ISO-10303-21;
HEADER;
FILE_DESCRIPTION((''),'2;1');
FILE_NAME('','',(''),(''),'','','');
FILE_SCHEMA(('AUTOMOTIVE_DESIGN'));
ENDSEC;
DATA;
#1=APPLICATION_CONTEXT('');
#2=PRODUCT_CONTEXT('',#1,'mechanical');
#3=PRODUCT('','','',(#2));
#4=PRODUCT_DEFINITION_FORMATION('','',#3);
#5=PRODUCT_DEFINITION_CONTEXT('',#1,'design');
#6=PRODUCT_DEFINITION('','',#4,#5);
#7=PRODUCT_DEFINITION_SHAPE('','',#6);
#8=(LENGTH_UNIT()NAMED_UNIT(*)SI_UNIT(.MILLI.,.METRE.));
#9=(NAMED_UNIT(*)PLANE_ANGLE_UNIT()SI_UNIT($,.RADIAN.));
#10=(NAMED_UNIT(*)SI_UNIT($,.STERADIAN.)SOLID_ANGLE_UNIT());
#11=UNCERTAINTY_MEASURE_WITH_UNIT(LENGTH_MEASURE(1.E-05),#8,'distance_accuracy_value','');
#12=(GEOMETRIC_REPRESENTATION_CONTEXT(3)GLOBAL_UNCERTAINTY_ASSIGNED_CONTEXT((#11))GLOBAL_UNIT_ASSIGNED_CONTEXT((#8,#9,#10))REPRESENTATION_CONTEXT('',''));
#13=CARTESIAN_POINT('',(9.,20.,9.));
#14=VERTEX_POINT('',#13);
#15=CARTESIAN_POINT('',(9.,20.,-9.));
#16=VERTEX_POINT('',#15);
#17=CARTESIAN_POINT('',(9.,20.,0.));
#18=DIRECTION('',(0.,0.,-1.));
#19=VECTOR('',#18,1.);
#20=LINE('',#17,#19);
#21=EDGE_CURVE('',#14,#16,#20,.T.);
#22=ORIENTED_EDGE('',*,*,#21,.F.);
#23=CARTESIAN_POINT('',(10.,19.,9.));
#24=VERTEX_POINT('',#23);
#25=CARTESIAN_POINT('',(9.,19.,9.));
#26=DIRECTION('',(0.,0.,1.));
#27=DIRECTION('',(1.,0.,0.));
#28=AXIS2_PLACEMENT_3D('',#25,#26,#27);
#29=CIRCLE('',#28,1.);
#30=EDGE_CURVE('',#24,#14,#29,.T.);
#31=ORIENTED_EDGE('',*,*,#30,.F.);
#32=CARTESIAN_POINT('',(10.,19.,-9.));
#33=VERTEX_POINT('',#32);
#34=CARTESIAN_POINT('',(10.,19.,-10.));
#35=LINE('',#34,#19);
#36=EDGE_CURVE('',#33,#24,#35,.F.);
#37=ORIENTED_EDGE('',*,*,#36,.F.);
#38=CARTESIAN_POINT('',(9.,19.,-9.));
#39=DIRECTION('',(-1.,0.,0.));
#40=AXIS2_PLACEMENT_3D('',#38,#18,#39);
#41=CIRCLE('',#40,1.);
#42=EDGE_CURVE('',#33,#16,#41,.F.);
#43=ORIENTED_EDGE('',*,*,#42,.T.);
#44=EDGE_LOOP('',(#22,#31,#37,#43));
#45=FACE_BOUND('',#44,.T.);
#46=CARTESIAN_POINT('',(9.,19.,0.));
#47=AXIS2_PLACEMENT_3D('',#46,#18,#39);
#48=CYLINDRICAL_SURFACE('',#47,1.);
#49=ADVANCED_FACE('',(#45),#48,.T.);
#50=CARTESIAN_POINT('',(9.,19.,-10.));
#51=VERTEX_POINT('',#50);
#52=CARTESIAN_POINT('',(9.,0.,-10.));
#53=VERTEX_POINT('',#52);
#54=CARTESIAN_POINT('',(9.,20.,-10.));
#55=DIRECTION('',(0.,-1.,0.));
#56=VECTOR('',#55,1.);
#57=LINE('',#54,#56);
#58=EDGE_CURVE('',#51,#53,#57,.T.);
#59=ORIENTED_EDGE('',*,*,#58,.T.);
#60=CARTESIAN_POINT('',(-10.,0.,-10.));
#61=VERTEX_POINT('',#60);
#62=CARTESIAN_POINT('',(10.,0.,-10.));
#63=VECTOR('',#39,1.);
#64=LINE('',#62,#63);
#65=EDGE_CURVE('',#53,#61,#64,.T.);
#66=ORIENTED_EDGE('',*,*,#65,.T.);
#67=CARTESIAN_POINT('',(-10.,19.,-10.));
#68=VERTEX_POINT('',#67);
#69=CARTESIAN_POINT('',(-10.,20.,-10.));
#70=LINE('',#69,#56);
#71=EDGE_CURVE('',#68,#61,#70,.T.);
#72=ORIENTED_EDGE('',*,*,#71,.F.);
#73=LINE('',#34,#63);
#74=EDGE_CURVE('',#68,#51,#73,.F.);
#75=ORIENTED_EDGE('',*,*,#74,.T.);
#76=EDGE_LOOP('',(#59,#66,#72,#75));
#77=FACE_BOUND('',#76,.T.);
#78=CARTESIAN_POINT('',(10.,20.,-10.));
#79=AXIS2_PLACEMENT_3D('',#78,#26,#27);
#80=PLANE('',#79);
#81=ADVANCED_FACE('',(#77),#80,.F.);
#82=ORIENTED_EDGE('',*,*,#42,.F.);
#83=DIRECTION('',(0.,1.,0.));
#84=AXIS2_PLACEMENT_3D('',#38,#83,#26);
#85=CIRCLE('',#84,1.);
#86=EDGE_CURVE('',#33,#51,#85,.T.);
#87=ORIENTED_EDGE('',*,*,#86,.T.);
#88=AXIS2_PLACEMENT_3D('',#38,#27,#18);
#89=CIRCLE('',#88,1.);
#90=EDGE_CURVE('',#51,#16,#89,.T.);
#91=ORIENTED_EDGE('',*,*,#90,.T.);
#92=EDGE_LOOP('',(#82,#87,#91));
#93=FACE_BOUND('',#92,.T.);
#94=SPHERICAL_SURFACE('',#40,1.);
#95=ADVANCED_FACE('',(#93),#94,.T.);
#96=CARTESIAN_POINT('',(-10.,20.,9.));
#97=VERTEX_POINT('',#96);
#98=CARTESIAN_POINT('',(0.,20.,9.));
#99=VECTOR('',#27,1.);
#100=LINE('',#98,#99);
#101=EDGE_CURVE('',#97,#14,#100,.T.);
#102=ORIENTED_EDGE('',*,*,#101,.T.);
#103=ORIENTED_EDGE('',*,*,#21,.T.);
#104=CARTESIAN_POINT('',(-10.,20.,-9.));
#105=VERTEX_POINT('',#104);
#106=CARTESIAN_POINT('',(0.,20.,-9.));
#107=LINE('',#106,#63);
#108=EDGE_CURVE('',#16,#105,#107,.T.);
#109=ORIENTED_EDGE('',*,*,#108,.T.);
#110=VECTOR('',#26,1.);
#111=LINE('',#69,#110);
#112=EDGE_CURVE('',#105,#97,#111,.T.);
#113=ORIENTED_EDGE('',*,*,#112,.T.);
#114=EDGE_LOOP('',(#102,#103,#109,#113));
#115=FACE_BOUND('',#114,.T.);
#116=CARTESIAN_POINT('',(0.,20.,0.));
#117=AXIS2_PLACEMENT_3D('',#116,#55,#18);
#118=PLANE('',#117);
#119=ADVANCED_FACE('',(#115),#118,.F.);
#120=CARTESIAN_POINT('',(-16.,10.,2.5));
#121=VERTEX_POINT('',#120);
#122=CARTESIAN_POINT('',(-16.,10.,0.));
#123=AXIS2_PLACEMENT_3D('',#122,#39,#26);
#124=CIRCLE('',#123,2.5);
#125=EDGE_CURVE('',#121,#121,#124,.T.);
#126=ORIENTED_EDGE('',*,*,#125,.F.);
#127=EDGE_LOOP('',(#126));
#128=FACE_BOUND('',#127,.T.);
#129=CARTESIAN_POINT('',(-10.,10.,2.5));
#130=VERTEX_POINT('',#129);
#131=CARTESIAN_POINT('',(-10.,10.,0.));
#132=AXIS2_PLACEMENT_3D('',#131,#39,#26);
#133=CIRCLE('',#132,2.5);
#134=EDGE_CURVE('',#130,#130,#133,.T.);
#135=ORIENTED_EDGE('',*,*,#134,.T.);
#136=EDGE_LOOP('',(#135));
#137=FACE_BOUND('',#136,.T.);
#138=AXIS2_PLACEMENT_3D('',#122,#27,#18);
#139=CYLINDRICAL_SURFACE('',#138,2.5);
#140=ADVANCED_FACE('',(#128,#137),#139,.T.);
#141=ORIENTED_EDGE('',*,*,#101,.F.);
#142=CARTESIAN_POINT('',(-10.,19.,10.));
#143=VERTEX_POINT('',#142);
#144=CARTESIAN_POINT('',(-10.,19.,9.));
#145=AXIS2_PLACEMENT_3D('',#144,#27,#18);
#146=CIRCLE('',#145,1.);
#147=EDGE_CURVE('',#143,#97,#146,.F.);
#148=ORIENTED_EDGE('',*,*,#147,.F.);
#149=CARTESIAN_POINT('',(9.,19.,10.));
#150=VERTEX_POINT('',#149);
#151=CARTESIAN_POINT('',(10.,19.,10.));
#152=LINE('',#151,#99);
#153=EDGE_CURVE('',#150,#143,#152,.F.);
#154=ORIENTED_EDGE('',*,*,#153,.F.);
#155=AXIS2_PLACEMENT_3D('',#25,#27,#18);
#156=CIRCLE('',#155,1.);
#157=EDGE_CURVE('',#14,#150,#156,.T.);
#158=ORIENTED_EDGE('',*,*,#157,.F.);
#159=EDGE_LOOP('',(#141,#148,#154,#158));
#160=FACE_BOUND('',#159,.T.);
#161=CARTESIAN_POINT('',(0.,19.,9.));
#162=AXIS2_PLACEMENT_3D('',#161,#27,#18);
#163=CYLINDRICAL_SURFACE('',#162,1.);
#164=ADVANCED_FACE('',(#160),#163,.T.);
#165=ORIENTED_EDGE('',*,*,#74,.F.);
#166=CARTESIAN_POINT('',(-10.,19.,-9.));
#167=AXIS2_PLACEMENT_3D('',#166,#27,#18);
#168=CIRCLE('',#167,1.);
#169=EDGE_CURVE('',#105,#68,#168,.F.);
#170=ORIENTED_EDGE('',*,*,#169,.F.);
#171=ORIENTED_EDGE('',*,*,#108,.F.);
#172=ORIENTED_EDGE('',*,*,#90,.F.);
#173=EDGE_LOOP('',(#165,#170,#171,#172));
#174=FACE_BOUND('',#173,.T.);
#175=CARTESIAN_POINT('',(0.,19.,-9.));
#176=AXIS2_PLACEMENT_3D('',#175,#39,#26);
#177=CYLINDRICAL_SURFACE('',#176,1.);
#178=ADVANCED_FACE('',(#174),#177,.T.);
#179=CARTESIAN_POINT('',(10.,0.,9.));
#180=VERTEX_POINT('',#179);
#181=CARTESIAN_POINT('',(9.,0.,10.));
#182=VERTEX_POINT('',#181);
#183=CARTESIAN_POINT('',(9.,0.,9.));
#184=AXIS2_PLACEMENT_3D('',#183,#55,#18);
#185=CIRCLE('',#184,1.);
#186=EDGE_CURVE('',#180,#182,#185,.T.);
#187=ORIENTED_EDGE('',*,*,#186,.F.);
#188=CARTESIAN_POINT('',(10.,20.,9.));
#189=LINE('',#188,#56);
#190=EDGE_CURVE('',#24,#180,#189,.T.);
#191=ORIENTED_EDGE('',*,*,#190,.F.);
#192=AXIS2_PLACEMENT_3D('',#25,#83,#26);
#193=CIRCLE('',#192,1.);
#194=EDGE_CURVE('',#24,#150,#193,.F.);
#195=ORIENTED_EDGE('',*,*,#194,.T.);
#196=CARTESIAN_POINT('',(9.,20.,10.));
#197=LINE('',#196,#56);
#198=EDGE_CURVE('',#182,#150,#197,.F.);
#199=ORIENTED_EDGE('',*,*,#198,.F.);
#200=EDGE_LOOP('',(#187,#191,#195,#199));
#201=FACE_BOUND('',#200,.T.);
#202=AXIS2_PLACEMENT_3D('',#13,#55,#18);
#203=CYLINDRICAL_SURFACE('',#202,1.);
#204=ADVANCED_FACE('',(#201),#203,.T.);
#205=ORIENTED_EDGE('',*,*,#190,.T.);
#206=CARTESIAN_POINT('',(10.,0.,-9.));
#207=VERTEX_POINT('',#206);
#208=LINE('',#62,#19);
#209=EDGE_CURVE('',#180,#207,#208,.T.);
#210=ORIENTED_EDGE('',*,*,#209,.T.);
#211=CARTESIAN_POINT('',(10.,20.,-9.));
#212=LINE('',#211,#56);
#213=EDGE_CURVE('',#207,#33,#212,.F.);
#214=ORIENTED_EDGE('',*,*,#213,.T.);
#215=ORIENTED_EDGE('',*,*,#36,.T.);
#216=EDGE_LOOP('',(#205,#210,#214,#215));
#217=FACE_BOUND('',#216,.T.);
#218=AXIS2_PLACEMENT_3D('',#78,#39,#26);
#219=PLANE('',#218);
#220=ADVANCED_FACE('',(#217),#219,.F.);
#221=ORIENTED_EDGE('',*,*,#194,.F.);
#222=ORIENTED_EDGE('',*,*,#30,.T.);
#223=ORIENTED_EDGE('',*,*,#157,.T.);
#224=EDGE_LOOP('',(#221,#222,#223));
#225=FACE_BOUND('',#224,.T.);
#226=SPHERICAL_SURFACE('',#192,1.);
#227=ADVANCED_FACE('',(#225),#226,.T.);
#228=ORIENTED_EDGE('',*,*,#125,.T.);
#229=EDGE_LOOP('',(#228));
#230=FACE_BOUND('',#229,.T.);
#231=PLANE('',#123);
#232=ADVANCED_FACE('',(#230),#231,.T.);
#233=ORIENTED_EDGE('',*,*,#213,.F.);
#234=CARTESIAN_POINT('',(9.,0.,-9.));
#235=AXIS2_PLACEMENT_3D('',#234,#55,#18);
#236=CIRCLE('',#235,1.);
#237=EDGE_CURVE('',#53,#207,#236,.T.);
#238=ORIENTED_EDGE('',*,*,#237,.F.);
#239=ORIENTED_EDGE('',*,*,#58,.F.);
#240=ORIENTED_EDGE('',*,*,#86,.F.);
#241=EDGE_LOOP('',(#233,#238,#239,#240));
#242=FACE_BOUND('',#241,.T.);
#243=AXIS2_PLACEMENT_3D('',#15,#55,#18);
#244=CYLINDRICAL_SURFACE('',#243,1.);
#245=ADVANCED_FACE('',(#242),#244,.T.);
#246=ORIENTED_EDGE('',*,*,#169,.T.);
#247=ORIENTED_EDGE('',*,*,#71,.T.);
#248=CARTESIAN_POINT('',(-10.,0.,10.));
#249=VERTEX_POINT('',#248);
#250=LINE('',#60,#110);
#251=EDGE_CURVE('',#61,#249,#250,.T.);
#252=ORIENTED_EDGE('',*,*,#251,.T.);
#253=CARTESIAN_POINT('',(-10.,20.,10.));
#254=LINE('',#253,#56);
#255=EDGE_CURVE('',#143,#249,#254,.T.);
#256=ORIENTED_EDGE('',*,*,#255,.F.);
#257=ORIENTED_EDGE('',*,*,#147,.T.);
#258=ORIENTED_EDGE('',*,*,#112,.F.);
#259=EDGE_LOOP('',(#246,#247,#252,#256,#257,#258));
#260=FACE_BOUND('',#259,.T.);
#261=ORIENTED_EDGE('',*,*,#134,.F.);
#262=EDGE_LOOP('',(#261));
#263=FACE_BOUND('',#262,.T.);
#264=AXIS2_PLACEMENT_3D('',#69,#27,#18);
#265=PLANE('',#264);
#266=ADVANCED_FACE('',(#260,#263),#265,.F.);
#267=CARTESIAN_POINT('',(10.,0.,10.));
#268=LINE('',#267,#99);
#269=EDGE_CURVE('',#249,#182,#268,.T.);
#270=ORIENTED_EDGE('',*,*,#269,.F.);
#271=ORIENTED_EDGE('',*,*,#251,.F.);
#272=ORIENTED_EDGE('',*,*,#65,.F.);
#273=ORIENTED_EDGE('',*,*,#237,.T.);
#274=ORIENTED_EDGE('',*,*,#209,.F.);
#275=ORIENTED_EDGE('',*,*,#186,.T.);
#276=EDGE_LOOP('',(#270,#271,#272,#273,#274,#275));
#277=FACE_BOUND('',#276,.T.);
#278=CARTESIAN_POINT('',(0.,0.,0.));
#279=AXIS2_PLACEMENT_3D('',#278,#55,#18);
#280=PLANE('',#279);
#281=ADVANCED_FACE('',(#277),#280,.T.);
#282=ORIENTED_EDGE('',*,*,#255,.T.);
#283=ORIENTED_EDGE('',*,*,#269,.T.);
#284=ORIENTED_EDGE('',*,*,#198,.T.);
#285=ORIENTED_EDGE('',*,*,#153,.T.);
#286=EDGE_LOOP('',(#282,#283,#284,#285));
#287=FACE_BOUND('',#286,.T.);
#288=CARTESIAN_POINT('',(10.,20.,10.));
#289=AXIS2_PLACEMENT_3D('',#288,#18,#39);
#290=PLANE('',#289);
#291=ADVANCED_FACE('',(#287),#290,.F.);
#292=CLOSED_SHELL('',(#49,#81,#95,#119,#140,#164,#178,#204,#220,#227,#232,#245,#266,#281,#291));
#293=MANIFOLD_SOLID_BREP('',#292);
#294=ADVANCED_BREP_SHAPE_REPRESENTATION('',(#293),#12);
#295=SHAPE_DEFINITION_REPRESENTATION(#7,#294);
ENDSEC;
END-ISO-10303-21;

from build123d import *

# Parameters (mm, degrees)
SKETCH1_W           = 20
SKETCH1_H           = 20
BOSS_EXTRUDE1_DEPTH = 20
SKETCH2_R           = 2.5
BOSS_EXTRUDE2_DEPTH = 6
FILLET1_R           = 1


with BuildPart() as part:
    # Sketch1 → Boss-Extrude1 (new body)
    with BuildSketch(Plane(origin=(0, 0, 0), x_dir=(1, 0, 0), z_dir=(0, 1, 0))):
        Rectangle(SKETCH1_W, SKETCH1_H)
    extrude(amount=BOSS_EXTRUDE1_DEPTH)

    # Sketch2 → Boss-Extrude2 (add)
    with BuildSketch(Plane.ZY.offset(10)):
        with Locations((0, 10)):
            Circle(SKETCH2_R)
    extrude(amount=BOSS_EXTRUDE2_DEPTH)

    # Fillet1
    fillet1_edges = [part.edges().sort_by_distance(p)[0] for p in [
        (10, 20, 0),
        (0, 20, -10),
        (10, 10, -10),
        (10, 10, 10),
        (0, 20, 10),
    ]]
    fillet(fillet1_edges, radius=FILLET1_R)


solid = part.part
